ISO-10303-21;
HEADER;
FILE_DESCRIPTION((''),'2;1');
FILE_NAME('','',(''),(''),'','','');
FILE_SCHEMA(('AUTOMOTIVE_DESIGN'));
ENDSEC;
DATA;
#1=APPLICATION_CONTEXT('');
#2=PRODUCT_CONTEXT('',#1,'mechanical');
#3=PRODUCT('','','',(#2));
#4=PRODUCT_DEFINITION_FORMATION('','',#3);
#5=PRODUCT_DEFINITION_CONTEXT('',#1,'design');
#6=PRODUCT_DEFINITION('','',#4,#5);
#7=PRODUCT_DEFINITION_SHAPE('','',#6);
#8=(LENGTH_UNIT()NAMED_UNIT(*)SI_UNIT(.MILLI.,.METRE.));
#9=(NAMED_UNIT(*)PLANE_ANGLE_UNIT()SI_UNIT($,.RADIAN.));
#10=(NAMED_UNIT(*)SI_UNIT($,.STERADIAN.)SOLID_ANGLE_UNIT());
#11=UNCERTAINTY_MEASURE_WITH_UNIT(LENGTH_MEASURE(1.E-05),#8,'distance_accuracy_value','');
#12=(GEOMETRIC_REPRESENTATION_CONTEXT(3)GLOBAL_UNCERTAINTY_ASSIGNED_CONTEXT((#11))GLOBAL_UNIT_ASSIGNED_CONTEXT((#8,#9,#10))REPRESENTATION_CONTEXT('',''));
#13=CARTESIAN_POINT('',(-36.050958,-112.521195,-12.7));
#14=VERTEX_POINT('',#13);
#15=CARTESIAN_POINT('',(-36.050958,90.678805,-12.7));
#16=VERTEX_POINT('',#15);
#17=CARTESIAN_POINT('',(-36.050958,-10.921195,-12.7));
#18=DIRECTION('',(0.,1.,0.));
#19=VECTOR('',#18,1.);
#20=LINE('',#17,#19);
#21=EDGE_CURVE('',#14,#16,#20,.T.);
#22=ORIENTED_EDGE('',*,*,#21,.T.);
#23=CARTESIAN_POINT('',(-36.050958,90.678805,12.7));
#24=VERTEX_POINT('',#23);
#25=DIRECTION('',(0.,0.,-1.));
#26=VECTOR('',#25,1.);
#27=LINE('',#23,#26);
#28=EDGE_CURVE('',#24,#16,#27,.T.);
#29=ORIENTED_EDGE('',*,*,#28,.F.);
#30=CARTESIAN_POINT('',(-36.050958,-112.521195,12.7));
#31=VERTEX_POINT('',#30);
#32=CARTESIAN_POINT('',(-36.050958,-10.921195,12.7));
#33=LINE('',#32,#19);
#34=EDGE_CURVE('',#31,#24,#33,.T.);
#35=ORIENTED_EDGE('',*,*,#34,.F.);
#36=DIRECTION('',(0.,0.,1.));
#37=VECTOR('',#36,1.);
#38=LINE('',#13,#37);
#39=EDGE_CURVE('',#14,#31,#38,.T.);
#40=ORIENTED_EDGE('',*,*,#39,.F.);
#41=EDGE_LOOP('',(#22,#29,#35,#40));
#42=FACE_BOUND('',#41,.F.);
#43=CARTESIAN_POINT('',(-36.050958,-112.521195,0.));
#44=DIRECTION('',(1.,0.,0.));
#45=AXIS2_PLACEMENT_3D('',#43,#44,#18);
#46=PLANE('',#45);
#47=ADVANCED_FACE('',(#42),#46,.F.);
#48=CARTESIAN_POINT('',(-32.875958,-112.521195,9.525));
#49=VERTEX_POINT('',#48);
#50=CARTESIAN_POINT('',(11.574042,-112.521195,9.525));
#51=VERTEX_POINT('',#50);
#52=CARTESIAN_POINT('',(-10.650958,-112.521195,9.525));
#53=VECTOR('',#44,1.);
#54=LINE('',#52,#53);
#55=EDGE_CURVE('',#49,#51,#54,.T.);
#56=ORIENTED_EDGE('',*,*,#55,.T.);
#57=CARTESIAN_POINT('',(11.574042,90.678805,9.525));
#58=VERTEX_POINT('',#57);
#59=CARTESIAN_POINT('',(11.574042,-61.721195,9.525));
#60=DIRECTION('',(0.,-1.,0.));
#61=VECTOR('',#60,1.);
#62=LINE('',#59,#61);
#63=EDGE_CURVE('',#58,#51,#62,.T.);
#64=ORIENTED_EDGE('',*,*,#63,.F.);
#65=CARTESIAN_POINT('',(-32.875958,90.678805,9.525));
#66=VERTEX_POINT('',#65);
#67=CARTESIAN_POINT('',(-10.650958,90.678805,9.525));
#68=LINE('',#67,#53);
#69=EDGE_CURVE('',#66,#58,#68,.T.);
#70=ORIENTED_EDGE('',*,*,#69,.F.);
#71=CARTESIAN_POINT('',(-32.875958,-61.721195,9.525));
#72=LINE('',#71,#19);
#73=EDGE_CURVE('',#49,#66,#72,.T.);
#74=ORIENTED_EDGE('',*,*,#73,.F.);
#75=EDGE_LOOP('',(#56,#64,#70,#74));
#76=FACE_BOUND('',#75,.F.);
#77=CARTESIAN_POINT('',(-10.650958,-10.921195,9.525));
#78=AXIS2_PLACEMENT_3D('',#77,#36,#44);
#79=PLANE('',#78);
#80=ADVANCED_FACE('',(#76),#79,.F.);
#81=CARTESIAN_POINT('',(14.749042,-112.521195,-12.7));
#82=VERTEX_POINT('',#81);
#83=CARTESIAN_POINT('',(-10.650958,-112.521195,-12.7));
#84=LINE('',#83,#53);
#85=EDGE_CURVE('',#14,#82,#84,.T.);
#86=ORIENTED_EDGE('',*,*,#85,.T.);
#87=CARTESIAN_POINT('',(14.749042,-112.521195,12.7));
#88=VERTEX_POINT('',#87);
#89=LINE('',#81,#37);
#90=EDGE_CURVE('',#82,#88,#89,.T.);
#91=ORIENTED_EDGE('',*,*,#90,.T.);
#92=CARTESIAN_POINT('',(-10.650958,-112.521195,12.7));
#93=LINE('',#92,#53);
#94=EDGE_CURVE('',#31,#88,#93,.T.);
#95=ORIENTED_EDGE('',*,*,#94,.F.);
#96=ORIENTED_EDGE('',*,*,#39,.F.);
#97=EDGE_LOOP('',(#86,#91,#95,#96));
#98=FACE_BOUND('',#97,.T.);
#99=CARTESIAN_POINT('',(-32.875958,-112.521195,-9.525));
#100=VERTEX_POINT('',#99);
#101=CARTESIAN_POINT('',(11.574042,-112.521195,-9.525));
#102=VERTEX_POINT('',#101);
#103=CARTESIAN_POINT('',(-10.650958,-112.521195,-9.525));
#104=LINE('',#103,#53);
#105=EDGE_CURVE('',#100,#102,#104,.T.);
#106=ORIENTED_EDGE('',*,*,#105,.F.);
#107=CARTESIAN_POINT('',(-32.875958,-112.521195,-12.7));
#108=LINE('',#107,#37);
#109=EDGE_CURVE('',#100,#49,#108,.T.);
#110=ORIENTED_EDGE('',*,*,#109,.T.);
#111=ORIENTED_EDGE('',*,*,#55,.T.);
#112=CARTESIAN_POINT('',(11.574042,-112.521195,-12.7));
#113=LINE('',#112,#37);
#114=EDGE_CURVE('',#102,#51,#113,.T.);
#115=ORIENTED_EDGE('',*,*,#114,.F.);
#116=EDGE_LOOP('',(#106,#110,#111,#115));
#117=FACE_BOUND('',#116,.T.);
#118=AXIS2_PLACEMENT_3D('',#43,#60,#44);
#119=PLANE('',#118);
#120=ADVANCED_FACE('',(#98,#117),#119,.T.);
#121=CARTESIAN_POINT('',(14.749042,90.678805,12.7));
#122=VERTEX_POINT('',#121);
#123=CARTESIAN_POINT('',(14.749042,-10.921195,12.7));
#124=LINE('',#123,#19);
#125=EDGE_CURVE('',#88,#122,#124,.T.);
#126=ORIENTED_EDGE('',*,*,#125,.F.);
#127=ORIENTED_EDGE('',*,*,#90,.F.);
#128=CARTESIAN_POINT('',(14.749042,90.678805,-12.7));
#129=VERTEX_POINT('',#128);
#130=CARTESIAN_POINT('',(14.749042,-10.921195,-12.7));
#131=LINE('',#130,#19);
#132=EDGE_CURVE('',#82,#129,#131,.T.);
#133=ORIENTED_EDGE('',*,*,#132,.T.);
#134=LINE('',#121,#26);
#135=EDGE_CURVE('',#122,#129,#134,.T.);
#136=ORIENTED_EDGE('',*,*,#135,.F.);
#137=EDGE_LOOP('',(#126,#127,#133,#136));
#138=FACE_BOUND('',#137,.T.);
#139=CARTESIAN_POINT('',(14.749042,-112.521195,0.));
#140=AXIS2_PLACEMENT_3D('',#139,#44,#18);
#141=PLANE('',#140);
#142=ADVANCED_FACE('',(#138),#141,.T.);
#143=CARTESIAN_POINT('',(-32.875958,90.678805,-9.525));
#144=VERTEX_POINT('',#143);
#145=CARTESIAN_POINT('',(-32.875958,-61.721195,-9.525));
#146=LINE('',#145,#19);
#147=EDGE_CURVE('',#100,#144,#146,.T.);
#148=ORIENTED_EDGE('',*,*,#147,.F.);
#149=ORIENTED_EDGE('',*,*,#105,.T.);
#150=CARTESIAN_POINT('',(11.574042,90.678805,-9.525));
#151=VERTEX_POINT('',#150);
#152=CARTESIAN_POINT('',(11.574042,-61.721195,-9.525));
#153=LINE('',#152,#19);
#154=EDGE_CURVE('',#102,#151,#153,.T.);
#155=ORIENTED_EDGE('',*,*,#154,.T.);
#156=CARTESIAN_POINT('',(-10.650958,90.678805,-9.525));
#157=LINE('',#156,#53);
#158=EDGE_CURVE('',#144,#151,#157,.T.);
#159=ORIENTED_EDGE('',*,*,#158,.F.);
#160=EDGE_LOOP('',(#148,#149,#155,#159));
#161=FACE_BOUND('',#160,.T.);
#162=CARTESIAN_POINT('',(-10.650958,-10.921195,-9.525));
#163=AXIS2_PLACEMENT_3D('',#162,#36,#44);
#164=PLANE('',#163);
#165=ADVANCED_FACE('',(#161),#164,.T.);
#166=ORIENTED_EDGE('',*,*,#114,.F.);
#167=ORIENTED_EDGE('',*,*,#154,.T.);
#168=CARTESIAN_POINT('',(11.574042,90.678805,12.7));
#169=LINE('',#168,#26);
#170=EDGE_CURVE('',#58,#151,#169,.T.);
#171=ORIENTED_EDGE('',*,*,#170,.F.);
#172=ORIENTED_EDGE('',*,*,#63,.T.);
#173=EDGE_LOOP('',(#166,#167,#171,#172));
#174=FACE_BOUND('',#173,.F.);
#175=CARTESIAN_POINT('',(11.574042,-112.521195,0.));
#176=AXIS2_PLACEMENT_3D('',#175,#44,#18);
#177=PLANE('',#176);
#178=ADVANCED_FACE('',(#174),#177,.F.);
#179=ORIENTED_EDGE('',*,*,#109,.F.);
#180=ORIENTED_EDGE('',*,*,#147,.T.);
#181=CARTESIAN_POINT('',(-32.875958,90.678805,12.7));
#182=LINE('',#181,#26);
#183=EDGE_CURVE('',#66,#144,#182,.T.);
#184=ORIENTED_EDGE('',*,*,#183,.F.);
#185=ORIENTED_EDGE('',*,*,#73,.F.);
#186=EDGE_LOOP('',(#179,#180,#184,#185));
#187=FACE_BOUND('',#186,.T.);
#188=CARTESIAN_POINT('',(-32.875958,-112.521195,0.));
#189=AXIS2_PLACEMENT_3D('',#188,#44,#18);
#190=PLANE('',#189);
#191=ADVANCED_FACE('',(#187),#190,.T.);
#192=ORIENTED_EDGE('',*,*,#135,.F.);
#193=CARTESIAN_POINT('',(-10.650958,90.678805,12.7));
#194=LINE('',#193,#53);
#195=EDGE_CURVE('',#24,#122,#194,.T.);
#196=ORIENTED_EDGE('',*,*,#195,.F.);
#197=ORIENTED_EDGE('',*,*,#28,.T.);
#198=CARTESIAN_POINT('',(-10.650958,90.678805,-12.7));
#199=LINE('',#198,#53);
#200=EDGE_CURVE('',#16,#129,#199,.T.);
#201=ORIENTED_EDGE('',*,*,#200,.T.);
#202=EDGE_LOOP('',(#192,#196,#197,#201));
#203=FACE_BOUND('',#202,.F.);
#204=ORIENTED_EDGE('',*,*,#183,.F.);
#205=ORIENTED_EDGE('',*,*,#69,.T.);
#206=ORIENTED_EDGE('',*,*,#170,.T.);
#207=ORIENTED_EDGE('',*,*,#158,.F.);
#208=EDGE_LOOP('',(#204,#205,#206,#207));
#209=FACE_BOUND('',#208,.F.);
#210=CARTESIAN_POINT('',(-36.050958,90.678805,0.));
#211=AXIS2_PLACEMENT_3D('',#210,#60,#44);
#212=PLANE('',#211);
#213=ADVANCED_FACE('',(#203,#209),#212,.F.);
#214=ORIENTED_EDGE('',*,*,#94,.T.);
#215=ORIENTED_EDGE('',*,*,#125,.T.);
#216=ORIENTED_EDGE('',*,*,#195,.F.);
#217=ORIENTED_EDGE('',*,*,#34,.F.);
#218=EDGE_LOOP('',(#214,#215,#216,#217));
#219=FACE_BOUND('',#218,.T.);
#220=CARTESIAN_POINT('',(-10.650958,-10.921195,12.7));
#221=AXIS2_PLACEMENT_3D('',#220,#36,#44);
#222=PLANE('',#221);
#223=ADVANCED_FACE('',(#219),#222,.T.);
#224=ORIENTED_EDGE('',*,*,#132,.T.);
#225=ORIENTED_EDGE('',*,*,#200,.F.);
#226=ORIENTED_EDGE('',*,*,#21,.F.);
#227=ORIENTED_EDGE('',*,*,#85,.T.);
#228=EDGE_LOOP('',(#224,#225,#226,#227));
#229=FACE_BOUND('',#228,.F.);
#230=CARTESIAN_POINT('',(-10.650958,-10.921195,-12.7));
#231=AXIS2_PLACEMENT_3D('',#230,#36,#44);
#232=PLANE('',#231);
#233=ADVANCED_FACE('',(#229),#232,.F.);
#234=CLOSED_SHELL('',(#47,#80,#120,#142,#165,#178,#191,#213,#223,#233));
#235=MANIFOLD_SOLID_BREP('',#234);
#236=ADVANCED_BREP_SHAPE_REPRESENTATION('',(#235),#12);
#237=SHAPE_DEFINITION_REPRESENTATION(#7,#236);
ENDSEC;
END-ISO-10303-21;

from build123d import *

# Parameters (mm, degrees)
F0_W     = 50.8
F0_H     = 203.2
F1_DEPTH = 12.7
F2_T     = -3.175


with BuildPart() as f1:
    # F0 (on Top) → F1 (new body, symmetric)
    with BuildSketch(Plane.XY):
        with Locations((-10.650958, -10.921195)):
            Rectangle(F0_W, F0_H)
    extrude(amount=F1_DEPTH, both=True)

    # F2
    f2_openings = [f1.faces().sort_by_distance(p)[0] for p in [
        (-10.650958, -112.521195, 0),
        (-10.650958, 90.678805, 0),
    ]]
    offset(amount=F2_T, openings=f2_openings)


solid = f1.part
